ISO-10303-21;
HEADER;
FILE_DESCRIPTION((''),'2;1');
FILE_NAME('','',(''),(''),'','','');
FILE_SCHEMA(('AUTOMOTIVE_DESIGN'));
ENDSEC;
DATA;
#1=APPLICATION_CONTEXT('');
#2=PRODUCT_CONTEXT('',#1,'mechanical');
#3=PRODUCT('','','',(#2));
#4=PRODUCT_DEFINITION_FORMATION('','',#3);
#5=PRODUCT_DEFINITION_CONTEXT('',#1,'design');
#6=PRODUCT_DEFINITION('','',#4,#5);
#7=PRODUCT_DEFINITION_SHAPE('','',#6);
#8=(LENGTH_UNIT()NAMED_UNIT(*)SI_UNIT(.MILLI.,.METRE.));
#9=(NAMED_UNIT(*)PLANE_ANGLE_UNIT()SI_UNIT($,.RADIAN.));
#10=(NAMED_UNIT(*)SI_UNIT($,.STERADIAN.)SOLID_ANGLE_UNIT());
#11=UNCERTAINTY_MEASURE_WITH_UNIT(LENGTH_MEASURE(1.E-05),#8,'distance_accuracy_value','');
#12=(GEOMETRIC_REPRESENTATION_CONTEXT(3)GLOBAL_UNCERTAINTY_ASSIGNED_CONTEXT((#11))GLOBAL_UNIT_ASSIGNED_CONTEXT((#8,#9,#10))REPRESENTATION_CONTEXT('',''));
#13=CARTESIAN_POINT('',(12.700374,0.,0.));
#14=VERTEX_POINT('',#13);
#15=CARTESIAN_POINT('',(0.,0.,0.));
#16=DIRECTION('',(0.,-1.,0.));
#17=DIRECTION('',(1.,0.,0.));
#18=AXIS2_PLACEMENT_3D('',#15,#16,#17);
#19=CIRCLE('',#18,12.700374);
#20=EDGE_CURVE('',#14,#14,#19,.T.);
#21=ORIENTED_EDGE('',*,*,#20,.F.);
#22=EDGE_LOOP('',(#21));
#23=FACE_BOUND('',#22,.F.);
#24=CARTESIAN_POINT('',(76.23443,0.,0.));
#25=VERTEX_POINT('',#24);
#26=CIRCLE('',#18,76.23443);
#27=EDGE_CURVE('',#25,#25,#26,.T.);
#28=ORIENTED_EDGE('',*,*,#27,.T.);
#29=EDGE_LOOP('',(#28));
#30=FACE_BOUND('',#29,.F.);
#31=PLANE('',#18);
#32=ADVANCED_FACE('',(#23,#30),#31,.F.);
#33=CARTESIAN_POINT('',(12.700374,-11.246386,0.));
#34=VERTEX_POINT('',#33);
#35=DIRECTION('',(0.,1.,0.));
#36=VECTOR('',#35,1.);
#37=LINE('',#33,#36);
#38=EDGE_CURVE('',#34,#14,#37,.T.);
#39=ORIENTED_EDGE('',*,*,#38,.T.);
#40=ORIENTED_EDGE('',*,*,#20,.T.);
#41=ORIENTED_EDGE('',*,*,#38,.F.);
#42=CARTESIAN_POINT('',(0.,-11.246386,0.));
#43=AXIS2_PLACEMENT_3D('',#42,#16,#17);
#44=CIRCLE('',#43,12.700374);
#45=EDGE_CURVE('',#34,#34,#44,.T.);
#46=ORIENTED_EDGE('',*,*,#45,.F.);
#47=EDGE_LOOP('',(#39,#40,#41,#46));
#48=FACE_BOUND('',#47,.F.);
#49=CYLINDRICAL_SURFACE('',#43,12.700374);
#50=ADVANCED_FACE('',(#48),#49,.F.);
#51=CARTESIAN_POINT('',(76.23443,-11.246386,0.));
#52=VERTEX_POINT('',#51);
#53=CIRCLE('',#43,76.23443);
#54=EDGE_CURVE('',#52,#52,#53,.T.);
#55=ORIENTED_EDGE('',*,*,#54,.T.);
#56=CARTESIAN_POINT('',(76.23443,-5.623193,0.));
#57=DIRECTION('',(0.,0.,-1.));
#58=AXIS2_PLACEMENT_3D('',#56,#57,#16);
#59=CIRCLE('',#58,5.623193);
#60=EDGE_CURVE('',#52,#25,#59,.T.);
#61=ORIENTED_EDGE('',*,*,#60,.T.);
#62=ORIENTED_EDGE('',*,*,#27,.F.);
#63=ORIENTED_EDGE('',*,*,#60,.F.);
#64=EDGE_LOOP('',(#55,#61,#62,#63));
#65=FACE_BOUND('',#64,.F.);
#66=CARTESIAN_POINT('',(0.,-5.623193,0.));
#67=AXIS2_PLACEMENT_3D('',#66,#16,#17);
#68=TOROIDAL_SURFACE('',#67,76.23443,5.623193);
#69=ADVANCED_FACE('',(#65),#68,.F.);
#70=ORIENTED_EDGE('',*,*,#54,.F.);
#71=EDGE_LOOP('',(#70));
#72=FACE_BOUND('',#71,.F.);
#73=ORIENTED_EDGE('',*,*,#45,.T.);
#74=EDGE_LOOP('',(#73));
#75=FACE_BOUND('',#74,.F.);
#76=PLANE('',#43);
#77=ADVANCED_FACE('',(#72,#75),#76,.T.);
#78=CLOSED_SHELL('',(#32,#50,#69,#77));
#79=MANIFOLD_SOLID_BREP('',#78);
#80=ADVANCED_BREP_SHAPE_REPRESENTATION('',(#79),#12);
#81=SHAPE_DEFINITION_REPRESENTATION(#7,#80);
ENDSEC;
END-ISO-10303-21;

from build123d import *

# Parameters (mm, degrees)
F2_R     = 12.700374
F3_DEPTH = 254


with BuildPart() as f1:
    # F0 (on Top) → F1 (revolve)
    with BuildSketch(Plane.XY):
        with BuildLine():
            Line((76.23443, 0), (0, 0))
            Line((0, 0), (0, -11.246386))
            Line((0, -11.246386), (76.23443, -11.246386))
            ThreePointArc((76.23443, -11.246386), (70.611237, -5.623193), (76.23443, 0))
        make_face()
    revolve(axis=Axis((0, -5.623193, 0), (0, -1, 0)))

    # F2 (on face) → F3 (cut)
    with BuildSketch(Plane.XZ.offset(11.246386)):
        Circle(F2_R)
    extrude(amount=-F3_DEPTH, mode=Mode.SUBTRACT)


solid = f1.part
